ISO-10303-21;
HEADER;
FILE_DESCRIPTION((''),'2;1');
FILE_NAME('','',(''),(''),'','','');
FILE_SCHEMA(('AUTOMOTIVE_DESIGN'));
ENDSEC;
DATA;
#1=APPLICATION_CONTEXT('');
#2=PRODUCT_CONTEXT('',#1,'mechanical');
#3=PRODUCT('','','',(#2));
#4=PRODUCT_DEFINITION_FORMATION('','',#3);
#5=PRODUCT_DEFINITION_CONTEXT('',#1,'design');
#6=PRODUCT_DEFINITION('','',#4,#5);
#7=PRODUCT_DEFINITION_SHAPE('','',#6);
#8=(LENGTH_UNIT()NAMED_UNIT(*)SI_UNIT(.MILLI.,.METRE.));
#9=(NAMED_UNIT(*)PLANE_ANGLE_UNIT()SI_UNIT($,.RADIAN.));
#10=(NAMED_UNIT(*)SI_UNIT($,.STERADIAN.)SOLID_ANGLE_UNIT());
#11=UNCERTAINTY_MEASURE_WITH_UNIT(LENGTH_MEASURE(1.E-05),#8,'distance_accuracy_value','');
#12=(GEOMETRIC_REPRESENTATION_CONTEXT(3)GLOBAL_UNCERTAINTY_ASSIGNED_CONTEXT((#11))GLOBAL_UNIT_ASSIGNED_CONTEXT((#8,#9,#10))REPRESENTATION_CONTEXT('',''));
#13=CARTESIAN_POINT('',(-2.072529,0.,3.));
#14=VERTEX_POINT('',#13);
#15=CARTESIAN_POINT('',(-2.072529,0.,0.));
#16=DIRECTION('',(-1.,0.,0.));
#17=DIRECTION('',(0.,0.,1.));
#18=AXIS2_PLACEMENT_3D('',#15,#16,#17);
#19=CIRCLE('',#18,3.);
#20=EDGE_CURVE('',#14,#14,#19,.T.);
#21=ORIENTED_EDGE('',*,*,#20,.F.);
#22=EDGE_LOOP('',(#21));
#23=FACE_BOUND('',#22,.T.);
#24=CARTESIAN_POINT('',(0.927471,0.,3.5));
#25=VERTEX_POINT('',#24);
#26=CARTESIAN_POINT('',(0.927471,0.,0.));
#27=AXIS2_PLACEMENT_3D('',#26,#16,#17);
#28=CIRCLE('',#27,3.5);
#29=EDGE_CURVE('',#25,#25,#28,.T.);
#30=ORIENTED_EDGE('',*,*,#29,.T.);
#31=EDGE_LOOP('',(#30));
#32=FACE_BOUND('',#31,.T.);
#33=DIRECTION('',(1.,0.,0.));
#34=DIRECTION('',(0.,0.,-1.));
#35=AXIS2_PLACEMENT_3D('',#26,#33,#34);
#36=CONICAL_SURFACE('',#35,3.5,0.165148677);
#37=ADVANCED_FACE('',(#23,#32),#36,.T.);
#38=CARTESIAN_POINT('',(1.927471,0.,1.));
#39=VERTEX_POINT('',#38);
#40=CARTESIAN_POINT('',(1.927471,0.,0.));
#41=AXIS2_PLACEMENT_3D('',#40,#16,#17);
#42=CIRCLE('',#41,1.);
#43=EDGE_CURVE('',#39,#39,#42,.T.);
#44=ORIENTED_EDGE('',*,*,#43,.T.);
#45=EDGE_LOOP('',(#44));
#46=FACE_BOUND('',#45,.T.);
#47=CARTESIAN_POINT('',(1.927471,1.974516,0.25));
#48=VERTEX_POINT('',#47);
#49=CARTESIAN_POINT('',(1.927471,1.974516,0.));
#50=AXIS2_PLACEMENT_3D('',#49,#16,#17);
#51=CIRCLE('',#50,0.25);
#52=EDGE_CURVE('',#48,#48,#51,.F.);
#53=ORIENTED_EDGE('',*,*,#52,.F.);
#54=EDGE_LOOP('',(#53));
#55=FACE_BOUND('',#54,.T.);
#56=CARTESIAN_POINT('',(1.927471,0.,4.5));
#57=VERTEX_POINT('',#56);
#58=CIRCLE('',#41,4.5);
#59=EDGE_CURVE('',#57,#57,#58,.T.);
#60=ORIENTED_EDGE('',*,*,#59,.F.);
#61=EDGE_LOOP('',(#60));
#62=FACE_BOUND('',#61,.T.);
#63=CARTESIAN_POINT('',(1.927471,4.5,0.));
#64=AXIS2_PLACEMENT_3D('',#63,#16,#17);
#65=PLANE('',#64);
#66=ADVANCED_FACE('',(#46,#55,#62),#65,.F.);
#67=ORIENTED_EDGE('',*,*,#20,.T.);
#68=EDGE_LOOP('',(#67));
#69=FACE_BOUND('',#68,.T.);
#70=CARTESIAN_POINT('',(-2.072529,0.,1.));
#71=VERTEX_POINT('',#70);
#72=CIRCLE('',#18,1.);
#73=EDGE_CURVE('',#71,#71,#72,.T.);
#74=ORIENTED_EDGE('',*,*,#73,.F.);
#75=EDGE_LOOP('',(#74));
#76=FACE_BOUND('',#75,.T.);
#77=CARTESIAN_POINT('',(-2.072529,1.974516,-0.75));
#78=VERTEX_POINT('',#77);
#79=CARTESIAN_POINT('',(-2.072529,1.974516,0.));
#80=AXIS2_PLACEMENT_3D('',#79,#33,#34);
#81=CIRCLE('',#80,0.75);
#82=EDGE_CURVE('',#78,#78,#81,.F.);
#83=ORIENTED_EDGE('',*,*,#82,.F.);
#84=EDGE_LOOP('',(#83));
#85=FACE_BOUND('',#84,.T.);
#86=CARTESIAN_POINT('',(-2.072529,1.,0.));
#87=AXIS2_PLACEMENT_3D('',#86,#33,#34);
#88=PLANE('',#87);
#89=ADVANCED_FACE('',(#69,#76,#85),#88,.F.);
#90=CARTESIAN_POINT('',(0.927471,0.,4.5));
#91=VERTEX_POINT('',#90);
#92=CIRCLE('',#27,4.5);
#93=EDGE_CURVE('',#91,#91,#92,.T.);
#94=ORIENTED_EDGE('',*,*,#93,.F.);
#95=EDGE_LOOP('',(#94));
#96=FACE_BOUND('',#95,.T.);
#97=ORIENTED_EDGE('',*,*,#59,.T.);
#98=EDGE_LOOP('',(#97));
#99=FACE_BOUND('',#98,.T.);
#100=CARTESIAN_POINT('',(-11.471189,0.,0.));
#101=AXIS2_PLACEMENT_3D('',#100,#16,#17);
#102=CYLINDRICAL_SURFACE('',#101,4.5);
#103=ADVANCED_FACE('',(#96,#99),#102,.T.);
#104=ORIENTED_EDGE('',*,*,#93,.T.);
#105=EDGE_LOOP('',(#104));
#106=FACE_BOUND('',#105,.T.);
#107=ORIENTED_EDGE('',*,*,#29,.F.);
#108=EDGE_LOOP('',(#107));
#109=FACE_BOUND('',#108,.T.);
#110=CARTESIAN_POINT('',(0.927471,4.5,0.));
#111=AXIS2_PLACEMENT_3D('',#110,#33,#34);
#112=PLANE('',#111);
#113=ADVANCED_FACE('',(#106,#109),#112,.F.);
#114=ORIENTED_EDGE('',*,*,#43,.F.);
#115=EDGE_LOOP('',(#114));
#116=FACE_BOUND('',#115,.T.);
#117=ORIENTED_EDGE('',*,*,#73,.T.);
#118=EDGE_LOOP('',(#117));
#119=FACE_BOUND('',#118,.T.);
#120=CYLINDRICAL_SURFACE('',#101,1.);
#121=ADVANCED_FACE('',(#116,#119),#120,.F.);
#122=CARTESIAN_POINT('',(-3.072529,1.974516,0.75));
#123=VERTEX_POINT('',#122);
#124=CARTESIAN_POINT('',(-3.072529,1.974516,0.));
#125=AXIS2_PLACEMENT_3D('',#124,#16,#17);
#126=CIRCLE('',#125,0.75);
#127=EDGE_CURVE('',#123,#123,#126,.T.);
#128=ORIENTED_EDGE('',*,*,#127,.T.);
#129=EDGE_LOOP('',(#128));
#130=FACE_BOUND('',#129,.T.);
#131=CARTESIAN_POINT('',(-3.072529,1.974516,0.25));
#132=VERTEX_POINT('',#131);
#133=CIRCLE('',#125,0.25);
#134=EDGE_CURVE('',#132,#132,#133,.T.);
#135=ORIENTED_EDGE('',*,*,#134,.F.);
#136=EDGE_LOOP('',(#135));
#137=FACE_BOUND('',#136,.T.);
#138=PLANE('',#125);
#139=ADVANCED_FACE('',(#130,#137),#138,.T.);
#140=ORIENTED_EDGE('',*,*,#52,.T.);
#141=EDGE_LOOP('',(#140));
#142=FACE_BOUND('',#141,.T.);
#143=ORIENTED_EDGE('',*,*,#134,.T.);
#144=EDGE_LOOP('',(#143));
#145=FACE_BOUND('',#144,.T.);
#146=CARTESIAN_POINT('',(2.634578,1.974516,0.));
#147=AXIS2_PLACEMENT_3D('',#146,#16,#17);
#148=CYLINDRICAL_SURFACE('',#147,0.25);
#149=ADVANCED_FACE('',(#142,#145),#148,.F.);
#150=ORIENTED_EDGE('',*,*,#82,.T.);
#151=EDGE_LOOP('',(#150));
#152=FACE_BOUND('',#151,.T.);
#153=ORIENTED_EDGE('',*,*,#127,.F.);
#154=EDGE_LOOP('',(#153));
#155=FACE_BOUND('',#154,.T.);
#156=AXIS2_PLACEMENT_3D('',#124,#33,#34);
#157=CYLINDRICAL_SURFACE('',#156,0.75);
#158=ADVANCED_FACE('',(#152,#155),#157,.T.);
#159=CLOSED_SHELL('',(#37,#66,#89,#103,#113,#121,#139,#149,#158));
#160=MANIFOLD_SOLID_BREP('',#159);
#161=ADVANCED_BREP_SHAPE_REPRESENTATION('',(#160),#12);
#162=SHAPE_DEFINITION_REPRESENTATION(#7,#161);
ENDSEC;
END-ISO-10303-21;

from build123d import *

# Parameters (mm, degrees)
SKETCH3_R           = 0.25
CUT_EXTRUDE1_DEPTH  = 4
SKETCH4_R           = 0.75
SKETCH4_R_2         = 0.25
BOSS_EXTRUDE1_DEPTH = 1


with BuildPart() as part:
    # Sketch1 → Revolve1 (revolve)
    with BuildSketch(Plane.XY):
        Polygon((0.927471423, 4.5), (1.927471423, 4.5), (1.927471423, 1), (-2.072528577, 1), (-2.072528577, 3), (0.927471423, 3.5), align=None)
    revolve(axis=Axis((-11.471189379, 0, 0), (1, 0, 0)))

    # Sketch3 → Cut-Extrude1 (cut)
    with BuildSketch(Plane.ZY.offset(2.072528577)):
        with Locations((0, 1.974515761)):
            Circle(SKETCH3_R)
    extrude(amount=-CUT_EXTRUDE1_DEPTH, mode=Mode.SUBTRACT)

    # Sketch4 → Boss-Extrude1 (add)
    with BuildSketch(Plane.ZY.offset(2.072528577)):
        with Locations((0, 1.974515761)):
            Circle(SKETCH4_R)
        with Locations((0, 1.974515761)):
            Circle(SKETCH4_R_2, mode=Mode.SUBTRACT)
    extrude(amount=BOSS_EXTRUDE1_DEPTH)


solid = part.part
